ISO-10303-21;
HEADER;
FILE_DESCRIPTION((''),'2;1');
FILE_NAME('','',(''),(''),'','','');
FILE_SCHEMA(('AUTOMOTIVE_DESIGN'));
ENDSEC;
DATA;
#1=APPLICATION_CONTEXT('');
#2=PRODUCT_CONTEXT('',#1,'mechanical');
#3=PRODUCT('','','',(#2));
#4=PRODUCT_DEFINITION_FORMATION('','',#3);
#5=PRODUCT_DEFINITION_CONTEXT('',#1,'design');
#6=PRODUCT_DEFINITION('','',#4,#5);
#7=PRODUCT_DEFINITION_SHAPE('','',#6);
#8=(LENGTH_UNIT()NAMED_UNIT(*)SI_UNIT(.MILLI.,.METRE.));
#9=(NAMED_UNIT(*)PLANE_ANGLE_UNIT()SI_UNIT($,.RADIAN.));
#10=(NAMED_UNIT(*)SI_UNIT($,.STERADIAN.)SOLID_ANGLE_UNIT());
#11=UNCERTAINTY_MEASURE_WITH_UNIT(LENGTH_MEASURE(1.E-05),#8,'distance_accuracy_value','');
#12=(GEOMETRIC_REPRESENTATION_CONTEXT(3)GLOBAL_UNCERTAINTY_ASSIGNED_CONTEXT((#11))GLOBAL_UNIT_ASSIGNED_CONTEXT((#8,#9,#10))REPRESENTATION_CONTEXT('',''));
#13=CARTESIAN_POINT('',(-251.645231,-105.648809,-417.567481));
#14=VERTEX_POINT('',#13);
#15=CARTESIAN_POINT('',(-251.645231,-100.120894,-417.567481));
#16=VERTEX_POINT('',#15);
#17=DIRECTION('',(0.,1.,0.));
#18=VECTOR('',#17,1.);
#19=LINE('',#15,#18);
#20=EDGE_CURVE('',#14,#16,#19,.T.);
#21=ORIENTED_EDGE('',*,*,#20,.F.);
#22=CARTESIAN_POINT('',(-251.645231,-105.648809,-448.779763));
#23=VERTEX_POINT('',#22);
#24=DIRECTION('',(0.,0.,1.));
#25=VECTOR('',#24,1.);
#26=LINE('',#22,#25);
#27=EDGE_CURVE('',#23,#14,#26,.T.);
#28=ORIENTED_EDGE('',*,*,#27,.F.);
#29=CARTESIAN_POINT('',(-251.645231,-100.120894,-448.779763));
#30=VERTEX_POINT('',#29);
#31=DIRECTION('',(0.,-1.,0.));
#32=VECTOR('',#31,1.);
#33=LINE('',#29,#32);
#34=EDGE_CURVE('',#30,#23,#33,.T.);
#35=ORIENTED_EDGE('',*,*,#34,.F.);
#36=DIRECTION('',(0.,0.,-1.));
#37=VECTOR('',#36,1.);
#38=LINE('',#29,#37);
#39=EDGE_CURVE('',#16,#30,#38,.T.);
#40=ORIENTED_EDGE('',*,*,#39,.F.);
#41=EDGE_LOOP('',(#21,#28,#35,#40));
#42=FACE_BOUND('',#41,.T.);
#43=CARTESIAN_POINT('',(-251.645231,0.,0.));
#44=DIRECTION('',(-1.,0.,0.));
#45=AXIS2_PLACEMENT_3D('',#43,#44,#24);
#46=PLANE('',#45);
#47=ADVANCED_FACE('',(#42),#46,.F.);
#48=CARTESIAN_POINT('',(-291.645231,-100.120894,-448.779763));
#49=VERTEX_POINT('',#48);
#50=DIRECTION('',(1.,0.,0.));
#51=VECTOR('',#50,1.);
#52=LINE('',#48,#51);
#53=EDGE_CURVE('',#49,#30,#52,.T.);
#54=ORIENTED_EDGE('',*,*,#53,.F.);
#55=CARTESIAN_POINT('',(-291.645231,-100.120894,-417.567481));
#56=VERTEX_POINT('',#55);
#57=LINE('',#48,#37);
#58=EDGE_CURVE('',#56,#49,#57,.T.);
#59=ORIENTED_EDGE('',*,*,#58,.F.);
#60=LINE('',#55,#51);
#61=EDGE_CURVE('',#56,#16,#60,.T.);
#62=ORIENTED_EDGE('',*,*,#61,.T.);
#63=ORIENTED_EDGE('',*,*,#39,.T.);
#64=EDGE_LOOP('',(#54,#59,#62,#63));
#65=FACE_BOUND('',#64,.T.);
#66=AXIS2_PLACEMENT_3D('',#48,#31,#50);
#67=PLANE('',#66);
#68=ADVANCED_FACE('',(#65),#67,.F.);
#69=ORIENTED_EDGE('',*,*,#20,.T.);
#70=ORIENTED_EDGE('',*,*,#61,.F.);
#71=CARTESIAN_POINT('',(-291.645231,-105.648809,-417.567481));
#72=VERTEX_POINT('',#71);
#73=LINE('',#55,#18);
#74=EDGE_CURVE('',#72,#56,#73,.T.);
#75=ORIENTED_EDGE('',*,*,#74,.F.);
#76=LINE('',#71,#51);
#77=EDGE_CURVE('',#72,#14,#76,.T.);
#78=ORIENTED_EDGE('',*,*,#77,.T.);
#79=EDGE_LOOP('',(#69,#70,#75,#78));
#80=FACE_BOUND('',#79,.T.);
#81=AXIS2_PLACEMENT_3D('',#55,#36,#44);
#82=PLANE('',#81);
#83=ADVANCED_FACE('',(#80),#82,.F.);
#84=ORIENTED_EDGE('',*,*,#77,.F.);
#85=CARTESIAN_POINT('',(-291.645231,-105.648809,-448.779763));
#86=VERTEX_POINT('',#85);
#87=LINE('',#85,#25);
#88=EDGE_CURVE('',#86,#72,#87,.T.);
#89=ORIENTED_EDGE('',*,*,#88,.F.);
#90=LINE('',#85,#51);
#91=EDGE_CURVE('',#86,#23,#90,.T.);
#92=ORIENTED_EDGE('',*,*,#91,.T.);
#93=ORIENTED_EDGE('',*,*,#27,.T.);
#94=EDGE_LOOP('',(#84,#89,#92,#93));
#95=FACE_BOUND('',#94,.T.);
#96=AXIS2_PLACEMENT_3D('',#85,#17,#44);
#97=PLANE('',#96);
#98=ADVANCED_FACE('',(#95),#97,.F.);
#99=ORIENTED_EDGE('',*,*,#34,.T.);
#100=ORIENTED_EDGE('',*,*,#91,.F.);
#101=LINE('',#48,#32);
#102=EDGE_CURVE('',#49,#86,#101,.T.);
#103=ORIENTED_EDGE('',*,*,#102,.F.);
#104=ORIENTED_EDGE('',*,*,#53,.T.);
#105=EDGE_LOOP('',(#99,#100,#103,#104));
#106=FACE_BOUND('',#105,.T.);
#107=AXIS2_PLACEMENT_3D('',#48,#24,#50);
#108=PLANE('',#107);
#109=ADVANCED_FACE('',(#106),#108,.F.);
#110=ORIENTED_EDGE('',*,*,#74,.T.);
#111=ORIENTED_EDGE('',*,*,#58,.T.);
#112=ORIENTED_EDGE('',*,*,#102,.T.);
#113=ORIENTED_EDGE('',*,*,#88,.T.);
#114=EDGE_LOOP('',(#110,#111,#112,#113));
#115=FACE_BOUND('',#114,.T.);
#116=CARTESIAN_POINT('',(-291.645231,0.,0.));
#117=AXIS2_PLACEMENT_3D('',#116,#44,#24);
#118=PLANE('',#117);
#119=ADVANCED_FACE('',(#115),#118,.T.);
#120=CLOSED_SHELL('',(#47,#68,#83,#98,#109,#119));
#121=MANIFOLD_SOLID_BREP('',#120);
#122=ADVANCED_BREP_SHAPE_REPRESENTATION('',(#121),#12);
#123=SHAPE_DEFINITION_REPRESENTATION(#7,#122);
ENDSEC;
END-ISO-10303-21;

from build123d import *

# Parameters (mm, degrees)
SKETCH1_W           = 31.212281817
SKETCH1_H           = 5.527914637
BOSS_EXTRUDE1_DEPTH = 40


with BuildPart() as part:
    # Sketch1 → Boss-Extrude1 (new body)
    with BuildSketch(Plane.ZY.offset(251.645231304)):
        with Locations((-433.173622158, -102.884851267)):
            Rectangle(SKETCH1_W, SKETCH1_H)
    extrude(amount=BOSS_EXTRUDE1_DEPTH)


solid = part.part
